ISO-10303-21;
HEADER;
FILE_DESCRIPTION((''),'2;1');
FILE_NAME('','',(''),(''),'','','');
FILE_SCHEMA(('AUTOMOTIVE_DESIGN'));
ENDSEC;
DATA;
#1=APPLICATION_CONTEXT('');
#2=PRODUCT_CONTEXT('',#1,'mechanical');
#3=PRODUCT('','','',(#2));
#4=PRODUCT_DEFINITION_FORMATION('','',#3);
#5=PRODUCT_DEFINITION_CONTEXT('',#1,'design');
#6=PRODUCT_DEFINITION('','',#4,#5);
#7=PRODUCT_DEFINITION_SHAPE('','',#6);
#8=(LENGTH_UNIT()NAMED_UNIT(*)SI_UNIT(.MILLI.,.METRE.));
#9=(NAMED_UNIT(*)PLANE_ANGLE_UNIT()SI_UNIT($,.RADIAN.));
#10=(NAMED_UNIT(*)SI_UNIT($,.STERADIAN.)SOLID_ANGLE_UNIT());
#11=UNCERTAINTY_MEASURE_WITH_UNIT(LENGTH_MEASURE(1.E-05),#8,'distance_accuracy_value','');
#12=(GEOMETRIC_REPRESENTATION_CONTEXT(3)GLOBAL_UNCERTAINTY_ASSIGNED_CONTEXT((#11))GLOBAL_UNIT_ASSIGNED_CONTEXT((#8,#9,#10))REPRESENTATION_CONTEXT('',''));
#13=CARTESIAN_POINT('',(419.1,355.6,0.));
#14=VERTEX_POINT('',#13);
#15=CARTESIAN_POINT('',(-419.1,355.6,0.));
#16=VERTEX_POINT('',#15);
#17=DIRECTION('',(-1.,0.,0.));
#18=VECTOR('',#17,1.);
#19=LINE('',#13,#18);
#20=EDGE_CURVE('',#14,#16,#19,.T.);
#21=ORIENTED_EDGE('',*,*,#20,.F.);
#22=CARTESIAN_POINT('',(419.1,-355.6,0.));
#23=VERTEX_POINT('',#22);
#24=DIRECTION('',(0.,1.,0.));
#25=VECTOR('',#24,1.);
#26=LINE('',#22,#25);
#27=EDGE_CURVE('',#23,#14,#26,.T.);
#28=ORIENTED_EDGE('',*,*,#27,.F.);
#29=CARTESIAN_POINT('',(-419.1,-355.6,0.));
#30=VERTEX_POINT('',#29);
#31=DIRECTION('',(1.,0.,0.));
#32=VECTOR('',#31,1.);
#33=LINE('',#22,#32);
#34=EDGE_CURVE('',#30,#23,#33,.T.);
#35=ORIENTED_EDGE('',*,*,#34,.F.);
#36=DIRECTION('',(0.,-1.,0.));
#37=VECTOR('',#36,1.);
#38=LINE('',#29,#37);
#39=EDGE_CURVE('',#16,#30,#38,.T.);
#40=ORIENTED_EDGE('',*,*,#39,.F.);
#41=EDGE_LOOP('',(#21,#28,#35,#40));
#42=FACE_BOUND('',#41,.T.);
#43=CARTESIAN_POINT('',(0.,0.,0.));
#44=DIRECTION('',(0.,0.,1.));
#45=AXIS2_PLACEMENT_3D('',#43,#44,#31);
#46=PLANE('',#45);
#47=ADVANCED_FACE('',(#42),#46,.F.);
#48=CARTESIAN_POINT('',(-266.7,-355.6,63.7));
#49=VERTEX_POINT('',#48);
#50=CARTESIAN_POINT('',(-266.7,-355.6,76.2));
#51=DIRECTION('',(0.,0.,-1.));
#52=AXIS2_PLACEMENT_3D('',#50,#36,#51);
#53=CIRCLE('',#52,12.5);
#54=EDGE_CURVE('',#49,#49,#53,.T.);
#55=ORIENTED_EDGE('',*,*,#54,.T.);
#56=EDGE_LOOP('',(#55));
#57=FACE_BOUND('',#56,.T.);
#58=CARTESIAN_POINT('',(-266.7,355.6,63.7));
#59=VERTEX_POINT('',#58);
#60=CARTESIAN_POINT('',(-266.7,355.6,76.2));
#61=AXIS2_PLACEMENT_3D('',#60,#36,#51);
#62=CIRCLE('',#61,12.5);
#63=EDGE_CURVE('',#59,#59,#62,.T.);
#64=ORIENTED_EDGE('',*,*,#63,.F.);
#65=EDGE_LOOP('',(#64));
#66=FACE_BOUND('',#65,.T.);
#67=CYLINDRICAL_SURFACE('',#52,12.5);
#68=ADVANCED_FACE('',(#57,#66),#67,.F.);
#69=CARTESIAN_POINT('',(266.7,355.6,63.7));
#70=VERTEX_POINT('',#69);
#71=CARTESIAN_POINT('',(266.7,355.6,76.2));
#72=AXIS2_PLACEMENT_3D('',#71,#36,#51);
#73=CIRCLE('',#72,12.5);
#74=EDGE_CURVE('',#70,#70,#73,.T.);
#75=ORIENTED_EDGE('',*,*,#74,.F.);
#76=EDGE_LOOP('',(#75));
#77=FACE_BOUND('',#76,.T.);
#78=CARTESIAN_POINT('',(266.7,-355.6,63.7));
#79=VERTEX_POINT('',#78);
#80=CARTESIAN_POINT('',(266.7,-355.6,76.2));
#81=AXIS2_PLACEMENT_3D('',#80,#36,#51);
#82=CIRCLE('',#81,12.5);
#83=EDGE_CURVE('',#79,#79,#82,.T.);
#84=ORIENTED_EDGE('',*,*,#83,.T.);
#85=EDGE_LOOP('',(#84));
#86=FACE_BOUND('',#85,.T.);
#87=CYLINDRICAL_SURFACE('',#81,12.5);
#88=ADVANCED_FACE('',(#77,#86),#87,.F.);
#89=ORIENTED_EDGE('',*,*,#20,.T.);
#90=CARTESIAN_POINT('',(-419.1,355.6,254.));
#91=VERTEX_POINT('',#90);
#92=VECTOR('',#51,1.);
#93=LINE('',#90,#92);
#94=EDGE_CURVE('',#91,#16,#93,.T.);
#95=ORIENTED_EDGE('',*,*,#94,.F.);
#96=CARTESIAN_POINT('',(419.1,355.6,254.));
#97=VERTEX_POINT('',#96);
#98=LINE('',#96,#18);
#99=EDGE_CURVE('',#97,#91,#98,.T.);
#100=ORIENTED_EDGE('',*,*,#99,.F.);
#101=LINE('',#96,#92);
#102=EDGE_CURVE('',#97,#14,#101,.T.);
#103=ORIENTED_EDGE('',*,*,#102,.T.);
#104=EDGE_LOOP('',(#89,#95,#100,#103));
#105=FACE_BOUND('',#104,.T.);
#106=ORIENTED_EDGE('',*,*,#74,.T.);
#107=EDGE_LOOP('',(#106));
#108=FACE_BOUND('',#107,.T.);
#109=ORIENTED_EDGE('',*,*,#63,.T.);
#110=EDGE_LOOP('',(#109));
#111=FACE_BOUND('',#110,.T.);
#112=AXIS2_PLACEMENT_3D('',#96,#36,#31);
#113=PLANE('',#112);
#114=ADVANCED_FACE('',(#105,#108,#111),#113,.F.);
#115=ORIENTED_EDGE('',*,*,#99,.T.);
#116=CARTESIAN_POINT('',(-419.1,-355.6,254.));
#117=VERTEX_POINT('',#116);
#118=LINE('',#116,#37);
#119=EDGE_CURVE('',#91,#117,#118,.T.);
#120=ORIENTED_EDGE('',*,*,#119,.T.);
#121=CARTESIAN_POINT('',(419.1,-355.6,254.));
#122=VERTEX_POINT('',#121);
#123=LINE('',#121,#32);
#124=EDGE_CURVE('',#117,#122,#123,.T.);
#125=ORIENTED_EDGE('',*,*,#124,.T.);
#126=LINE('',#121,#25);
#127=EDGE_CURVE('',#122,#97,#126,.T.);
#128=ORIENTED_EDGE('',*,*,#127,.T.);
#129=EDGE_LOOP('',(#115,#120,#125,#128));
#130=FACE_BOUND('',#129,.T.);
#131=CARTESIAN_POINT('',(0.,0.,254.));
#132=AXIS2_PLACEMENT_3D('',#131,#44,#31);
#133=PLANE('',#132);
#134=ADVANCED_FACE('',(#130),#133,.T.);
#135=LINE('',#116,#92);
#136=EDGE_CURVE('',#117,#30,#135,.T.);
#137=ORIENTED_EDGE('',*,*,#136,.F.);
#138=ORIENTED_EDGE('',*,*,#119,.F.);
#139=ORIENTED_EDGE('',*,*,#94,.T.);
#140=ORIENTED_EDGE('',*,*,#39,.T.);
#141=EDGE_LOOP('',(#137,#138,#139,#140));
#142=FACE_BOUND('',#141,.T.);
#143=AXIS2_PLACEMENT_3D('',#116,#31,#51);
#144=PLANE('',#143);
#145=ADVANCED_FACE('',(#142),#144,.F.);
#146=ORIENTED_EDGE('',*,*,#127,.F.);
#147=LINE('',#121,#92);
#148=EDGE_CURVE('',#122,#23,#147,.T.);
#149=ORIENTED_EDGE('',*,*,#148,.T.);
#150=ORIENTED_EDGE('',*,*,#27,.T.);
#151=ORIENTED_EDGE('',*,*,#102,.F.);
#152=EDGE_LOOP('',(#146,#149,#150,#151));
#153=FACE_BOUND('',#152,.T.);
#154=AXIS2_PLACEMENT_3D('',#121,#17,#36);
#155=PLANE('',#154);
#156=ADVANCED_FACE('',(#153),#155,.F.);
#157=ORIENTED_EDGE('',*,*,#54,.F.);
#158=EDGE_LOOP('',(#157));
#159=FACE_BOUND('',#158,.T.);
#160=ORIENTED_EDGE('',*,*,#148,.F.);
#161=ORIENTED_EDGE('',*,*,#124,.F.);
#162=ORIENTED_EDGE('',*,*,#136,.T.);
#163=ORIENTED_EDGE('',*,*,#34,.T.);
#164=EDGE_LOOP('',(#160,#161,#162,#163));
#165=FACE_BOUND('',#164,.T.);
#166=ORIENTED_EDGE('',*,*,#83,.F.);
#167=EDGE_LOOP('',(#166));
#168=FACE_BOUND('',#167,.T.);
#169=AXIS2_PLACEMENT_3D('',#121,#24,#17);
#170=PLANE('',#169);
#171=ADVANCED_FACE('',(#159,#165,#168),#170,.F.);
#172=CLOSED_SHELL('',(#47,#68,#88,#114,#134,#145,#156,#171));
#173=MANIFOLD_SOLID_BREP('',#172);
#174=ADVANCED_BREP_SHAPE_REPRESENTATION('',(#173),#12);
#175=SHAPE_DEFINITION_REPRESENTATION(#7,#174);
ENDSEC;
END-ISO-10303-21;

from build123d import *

# Parameters (mm, degrees)
SKETCH1_W              = 838.2
SKETCH1_H              = 711.2
BOSS_EXTRUDE1_DEPTH    = 254
F_25_0MM_DOWEL_HOLE1_D = 25


with BuildPart() as part:
    # Sketch1 → Boss-Extrude1 (new body)
    with BuildSketch(Plane.XY):
        Rectangle(SKETCH1_W, SKETCH1_H)
    extrude(amount=BOSS_EXTRUDE1_DEPTH)

    # Ø25.0mm Dowel Hole1 (through all)
    with Locations(Plane(origin=(0, -355.6, 0), x_dir=(-1, 0, 0), z_dir=(0, -1, 0))):
        with Locations((266.7, -76.2), (-266.7, -76.2)):
            Hole(F_25_0MM_DOWEL_HOLE1_D / 2)


solid = part.part
